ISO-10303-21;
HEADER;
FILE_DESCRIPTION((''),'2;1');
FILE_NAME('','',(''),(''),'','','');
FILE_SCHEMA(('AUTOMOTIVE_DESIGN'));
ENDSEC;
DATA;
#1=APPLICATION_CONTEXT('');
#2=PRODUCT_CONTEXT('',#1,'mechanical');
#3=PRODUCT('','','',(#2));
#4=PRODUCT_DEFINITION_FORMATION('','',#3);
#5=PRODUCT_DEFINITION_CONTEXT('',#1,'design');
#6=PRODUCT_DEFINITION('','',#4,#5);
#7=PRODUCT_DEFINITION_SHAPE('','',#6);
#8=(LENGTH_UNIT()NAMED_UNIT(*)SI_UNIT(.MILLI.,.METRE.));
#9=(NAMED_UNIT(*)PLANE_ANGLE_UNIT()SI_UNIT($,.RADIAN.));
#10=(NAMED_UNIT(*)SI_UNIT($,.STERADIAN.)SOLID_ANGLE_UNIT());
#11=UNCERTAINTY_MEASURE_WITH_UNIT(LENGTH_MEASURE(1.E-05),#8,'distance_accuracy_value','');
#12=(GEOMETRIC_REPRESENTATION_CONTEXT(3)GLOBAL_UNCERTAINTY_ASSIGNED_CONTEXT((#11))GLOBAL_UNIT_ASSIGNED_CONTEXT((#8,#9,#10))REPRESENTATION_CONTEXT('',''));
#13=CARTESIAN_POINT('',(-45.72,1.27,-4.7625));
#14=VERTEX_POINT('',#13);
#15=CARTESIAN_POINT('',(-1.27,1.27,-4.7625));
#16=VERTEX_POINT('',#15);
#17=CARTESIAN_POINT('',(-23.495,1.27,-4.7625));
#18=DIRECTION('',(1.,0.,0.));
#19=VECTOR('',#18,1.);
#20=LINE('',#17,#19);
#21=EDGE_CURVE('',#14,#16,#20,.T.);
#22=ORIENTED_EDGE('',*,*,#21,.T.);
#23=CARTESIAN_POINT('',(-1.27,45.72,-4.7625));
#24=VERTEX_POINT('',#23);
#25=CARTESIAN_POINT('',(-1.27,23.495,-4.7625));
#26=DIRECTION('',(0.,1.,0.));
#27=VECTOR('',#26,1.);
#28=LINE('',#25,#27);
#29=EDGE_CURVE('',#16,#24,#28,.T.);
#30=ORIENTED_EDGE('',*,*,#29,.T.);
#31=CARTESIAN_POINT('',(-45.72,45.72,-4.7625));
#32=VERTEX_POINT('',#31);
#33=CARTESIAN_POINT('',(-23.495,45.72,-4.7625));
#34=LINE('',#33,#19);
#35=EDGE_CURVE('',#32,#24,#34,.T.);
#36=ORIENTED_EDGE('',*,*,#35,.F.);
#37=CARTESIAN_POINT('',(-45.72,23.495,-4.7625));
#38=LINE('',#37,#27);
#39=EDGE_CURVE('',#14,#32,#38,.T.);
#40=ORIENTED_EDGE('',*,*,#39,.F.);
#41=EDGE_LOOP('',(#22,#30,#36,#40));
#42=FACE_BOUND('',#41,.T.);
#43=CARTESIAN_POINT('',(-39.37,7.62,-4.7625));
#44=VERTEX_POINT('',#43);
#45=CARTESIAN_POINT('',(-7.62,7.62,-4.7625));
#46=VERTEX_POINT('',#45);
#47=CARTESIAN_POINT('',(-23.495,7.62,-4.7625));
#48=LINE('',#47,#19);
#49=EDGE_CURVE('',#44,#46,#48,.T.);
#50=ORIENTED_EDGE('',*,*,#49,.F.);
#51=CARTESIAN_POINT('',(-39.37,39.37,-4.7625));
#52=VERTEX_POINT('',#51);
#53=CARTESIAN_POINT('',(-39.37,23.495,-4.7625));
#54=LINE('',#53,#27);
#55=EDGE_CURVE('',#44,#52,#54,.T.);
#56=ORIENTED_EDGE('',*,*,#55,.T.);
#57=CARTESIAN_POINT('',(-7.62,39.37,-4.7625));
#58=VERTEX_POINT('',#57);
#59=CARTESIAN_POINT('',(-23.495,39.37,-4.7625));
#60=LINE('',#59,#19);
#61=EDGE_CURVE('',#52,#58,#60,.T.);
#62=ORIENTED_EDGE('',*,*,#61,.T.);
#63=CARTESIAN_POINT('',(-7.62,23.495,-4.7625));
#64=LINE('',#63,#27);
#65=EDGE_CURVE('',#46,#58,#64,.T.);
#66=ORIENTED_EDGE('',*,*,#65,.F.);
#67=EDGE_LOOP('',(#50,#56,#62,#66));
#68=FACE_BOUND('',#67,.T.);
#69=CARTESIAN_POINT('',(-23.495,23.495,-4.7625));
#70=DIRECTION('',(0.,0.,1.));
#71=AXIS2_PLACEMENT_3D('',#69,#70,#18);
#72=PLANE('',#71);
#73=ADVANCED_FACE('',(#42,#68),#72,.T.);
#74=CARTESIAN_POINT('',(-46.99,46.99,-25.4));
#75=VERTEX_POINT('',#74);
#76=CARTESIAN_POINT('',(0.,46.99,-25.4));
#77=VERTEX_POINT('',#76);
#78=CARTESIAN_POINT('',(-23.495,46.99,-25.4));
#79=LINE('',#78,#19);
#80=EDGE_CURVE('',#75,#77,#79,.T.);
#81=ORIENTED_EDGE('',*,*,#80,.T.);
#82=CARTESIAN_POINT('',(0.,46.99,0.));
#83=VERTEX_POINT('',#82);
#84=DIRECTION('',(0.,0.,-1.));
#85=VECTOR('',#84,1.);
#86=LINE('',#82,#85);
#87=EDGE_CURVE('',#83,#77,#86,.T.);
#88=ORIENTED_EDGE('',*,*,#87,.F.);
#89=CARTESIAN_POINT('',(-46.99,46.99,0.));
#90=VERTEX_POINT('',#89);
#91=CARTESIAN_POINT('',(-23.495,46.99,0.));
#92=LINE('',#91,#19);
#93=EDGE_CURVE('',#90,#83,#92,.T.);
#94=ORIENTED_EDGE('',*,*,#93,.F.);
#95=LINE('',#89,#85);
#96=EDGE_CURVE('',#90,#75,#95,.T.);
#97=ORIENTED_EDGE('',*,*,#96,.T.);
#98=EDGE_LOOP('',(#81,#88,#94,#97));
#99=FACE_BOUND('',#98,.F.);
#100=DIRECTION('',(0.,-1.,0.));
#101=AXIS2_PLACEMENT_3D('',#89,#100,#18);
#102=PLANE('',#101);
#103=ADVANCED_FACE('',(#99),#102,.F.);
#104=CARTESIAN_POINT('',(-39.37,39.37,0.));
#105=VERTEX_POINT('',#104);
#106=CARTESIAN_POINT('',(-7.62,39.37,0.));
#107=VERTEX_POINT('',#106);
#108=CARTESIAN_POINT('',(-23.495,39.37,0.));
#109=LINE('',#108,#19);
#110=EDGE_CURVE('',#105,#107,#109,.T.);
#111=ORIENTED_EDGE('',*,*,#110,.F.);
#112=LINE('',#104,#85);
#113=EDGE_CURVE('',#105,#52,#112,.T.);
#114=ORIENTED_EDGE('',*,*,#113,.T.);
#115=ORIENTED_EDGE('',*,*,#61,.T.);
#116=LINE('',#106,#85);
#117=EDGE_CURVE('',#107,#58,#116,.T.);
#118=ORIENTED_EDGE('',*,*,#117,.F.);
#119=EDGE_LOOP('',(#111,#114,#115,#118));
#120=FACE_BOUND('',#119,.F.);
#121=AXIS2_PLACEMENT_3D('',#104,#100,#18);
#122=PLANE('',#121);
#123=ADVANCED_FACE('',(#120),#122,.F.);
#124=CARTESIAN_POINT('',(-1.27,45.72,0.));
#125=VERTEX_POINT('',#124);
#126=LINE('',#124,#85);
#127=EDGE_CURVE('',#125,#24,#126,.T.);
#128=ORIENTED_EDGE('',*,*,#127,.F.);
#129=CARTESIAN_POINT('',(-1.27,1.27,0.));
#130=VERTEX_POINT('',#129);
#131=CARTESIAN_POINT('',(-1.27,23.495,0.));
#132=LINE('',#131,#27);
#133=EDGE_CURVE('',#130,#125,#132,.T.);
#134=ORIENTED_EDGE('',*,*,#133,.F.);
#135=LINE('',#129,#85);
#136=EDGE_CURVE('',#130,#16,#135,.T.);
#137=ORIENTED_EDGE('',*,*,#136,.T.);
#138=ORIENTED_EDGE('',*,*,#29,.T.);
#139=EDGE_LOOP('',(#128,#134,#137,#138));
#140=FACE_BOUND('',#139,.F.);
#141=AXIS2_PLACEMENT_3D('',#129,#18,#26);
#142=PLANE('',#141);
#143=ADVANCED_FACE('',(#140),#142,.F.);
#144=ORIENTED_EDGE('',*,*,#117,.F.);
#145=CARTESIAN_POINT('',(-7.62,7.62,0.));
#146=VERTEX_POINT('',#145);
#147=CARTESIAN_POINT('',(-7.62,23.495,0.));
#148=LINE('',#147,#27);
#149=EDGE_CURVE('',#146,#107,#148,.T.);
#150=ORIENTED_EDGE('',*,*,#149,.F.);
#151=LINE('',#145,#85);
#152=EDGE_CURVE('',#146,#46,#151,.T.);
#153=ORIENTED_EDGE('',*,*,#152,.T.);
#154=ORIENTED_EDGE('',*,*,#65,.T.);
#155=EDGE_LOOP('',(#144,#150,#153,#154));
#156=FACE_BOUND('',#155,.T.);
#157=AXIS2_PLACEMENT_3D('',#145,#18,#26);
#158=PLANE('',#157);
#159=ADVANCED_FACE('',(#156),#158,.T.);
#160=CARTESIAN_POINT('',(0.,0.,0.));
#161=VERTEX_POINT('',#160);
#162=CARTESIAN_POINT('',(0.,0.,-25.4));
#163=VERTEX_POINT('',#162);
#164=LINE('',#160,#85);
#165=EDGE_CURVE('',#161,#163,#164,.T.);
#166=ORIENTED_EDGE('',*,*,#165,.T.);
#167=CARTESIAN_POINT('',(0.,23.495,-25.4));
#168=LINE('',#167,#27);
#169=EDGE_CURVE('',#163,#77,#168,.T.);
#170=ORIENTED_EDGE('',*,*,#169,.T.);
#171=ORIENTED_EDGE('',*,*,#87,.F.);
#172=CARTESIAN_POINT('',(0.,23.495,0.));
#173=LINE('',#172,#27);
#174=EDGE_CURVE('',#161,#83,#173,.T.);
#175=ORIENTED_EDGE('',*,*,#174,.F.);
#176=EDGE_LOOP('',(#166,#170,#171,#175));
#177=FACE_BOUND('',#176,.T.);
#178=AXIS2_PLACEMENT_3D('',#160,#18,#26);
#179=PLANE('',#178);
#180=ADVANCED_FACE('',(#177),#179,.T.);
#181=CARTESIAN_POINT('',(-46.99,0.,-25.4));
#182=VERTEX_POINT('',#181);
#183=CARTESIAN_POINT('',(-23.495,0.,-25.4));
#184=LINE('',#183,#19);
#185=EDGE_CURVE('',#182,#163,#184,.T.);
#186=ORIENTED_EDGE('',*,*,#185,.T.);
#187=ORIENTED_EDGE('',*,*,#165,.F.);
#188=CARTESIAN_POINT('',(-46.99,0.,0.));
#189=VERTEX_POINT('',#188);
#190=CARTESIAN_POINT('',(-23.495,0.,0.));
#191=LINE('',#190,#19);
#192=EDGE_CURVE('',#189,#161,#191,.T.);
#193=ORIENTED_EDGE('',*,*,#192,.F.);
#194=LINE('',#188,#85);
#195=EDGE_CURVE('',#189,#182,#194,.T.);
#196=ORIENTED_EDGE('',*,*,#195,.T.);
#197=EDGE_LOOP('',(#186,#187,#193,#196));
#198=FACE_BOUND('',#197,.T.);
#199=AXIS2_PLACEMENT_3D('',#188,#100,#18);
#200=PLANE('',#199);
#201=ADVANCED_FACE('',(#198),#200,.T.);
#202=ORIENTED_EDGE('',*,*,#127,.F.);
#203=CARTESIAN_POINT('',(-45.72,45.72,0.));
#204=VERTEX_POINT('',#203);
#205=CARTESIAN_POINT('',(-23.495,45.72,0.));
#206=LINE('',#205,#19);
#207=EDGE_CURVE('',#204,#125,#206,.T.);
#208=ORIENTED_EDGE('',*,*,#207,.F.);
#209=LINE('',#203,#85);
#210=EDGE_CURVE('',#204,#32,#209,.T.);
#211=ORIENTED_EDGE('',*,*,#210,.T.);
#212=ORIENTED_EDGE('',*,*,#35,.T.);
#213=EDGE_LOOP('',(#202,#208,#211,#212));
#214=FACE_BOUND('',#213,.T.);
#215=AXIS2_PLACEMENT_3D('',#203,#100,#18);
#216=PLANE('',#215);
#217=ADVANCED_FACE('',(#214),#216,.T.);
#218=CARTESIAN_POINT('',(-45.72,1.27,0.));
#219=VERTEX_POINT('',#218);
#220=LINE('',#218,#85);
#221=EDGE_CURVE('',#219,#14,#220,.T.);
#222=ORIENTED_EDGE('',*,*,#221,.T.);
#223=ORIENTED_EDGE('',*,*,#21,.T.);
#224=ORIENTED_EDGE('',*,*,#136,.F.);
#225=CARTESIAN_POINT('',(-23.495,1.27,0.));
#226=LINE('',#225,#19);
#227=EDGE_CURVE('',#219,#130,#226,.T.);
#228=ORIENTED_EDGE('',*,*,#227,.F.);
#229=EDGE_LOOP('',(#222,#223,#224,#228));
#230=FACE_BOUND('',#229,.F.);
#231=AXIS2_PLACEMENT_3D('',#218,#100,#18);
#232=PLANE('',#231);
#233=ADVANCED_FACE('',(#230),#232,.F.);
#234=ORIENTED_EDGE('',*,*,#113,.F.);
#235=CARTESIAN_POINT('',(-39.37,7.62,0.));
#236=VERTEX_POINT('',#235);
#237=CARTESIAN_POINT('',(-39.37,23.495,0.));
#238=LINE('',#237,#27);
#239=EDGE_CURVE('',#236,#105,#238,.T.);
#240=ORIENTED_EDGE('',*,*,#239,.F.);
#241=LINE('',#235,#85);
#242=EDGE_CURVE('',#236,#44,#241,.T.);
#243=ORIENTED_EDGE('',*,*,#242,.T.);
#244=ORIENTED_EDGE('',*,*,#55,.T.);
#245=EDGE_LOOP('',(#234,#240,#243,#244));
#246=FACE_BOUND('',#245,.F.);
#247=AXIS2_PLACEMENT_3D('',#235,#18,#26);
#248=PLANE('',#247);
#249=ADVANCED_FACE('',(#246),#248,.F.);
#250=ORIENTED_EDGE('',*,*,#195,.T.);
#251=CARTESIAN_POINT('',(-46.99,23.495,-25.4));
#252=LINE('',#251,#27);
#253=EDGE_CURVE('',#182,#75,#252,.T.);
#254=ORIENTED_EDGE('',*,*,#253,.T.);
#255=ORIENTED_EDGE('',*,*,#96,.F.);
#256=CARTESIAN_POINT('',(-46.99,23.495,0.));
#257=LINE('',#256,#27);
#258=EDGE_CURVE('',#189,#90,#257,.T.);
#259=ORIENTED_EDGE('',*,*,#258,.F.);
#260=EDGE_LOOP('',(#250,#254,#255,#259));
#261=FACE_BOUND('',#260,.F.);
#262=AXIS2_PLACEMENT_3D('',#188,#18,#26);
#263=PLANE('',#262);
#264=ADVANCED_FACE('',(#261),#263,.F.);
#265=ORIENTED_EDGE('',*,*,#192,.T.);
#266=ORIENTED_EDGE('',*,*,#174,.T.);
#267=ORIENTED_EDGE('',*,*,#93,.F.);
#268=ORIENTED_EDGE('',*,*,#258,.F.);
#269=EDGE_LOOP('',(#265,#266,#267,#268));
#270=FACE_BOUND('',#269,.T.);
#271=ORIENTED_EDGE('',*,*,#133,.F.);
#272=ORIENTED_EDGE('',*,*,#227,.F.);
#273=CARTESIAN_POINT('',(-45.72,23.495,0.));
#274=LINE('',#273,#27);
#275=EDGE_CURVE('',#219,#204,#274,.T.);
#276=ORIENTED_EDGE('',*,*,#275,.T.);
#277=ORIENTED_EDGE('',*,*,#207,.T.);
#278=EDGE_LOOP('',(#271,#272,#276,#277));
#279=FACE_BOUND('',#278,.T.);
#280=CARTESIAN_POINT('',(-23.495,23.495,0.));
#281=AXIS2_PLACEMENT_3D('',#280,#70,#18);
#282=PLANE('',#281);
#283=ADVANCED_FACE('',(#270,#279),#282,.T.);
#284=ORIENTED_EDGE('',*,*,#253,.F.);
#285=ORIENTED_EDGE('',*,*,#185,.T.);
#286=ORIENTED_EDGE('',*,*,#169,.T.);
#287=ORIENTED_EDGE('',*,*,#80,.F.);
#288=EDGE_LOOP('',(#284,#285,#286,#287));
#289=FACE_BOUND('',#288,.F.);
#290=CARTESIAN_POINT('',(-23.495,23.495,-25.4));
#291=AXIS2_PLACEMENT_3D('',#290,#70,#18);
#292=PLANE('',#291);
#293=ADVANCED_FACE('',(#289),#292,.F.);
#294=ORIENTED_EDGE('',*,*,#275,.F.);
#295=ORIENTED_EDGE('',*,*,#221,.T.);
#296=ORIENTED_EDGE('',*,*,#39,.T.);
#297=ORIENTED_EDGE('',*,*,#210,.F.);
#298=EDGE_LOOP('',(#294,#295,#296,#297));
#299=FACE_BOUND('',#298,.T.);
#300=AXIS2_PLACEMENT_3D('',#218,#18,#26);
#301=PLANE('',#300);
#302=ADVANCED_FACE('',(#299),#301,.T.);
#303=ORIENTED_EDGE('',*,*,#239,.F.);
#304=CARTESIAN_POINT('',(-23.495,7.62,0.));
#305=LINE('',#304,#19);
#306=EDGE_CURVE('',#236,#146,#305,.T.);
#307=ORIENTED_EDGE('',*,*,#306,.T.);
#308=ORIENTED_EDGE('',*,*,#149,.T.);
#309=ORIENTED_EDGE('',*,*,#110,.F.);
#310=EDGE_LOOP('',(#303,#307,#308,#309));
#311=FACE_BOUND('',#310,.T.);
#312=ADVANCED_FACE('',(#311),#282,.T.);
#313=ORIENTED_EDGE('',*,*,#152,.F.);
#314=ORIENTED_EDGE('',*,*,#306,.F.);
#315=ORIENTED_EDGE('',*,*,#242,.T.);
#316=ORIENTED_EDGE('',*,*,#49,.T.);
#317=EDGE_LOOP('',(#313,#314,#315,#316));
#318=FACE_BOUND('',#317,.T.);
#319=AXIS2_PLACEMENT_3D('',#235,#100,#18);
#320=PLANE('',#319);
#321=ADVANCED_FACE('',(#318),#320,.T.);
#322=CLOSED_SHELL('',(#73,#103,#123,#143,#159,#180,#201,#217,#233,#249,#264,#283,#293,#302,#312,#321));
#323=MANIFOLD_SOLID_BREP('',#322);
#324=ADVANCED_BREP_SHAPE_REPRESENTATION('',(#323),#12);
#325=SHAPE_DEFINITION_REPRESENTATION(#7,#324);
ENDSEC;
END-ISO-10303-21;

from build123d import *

# Parameters (mm, degrees)
F0_W     = 46.99
F0_H     = 46.99
F0_W_2   = 44.45
F0_H_2   = 44.45
F0_W_3   = 31.75
F0_H_3   = 31.75
F1_DEPTH = 25.4
F2_DEPTH = 4.7625


with BuildPart() as f1:
    # F0 (on Top) → F1 (new body)
    with BuildSketch(Plane.XY):
        with Locations((-23.495, 23.495)):
            Rectangle(F0_W, F0_H)
        with Locations((-23.495, 23.495)):
            Rectangle(F0_W_2, F0_H_2, mode=Mode.SUBTRACT)
        with Locations((-23.495, 23.495)):
            Rectangle(F0_W_2, F0_H_2)
        with Locations((-23.495, 23.495)):
            Rectangle(F0_W_3, F0_H_3, mode=Mode.SUBTRACT)
        with Locations((-23.495, 23.495)):
            Rectangle(F0_W_3, F0_H_3)
    extrude(amount=-F1_DEPTH)

    # F0 (on Top) → F2 (cut)
    with BuildSketch(Plane.XY):
        with Locations((-23.495, 23.495)):
            Rectangle(F0_W_2, F0_H_2)
        with Locations((-23.495, 23.495)):
            Rectangle(F0_W_3, F0_H_3, mode=Mode.SUBTRACT)
    extrude(amount=-F2_DEPTH, mode=Mode.SUBTRACT)


solid = f1.part
